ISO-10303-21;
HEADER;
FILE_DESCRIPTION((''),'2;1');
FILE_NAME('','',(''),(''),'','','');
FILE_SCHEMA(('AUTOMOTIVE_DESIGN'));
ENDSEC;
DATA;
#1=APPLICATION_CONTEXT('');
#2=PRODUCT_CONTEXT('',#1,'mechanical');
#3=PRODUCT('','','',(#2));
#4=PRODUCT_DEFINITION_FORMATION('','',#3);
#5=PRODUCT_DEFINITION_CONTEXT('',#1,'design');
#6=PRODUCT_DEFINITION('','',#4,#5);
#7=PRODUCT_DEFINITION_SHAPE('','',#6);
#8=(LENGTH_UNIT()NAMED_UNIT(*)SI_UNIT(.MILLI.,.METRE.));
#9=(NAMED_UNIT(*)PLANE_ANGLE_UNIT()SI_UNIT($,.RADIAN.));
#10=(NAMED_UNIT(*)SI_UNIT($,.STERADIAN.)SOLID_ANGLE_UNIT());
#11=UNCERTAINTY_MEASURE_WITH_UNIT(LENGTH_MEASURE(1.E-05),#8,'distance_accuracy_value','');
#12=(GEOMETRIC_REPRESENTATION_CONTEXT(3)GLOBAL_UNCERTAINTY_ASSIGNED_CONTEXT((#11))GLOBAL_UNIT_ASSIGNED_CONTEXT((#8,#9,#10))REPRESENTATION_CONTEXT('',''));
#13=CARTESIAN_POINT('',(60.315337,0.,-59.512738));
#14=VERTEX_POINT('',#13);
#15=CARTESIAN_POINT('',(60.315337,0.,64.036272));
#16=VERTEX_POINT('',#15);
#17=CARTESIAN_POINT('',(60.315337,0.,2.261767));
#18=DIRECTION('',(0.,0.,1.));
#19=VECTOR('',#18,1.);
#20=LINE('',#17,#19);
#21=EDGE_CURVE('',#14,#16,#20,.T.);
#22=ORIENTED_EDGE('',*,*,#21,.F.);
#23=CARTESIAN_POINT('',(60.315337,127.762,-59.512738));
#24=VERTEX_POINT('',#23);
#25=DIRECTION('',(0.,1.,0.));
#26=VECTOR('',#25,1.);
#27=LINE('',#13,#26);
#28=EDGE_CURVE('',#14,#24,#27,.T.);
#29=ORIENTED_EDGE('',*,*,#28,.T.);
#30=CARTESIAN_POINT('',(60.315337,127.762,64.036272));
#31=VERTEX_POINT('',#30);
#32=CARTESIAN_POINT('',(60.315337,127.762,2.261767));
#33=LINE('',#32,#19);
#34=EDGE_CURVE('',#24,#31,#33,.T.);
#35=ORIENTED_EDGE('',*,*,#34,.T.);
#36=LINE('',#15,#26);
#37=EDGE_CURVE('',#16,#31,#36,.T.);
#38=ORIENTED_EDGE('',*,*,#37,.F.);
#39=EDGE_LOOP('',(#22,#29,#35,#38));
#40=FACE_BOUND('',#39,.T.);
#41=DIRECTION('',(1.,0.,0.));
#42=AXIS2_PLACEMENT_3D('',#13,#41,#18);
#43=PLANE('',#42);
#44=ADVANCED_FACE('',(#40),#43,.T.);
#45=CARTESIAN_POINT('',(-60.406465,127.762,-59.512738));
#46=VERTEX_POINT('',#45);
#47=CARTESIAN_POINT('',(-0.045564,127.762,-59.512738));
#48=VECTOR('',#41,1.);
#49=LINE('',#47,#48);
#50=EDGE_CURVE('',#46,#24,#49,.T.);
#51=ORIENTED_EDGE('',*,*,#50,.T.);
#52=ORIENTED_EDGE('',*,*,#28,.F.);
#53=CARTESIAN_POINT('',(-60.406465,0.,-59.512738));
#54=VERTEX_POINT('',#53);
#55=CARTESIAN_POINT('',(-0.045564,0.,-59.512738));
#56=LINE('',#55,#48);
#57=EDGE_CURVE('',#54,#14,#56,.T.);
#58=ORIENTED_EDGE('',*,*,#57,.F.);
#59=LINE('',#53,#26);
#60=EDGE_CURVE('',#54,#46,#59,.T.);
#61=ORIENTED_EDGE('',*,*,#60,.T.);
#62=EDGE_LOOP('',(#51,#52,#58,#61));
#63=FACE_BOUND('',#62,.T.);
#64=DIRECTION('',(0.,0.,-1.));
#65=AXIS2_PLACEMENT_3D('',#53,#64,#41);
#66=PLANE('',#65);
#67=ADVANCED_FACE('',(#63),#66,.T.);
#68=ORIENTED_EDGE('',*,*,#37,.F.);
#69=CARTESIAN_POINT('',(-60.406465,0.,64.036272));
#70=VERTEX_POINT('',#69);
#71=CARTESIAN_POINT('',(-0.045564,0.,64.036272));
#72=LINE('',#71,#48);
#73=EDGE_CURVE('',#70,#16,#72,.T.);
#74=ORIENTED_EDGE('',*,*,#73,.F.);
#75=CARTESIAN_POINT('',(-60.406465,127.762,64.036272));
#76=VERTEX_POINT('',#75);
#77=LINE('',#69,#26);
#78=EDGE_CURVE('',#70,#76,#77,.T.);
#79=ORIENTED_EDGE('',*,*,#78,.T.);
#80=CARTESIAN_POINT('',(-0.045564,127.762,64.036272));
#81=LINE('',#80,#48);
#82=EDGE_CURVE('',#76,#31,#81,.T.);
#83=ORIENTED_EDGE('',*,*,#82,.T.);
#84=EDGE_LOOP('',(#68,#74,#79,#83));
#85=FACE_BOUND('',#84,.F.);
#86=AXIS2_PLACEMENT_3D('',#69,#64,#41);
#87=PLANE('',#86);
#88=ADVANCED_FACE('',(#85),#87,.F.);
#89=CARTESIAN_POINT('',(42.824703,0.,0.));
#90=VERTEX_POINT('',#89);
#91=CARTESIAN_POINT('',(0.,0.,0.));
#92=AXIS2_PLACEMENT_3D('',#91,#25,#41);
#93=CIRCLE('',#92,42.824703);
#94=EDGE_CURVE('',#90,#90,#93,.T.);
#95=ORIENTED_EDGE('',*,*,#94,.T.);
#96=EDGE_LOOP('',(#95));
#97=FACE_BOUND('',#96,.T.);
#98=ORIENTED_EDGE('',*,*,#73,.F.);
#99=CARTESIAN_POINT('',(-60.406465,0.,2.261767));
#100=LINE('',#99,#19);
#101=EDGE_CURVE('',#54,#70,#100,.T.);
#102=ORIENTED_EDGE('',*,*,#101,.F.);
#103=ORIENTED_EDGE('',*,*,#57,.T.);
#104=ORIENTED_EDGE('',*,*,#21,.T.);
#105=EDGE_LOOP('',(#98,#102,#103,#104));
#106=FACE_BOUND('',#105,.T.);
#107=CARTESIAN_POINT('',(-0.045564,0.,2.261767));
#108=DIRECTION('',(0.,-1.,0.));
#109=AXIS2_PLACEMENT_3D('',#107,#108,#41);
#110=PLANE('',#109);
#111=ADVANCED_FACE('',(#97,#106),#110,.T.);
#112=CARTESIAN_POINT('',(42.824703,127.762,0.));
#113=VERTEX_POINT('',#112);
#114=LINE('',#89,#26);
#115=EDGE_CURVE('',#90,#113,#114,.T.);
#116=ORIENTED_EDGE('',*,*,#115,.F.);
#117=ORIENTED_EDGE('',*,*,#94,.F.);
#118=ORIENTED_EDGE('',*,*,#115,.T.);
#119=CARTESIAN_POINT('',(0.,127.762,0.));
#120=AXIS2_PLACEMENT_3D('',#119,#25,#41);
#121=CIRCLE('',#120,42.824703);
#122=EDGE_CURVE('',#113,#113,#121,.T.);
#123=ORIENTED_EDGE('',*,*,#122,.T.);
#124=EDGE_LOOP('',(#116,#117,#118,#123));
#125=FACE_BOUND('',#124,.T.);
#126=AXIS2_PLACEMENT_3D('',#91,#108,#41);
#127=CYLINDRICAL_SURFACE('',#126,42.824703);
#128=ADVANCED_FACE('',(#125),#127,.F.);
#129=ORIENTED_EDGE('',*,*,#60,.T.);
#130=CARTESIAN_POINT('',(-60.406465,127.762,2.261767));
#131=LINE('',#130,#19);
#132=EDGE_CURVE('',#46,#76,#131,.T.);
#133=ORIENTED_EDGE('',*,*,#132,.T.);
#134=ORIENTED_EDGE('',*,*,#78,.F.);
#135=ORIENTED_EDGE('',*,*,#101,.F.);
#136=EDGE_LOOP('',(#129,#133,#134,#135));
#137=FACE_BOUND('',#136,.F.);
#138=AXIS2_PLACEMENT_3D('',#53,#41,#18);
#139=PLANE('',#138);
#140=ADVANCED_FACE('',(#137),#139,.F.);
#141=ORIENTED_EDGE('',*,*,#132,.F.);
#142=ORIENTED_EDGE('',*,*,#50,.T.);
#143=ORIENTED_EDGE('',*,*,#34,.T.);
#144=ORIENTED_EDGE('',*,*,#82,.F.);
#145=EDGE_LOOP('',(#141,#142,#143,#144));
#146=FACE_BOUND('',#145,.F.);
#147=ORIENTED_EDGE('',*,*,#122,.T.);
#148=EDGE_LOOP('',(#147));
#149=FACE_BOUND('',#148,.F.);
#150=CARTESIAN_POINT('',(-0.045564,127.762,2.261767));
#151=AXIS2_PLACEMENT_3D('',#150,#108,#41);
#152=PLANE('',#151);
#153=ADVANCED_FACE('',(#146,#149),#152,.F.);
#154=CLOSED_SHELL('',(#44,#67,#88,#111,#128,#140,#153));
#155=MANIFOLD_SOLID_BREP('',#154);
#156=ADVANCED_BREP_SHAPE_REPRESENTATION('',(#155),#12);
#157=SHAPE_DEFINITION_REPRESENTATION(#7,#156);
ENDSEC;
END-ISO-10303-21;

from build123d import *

# Parameters (mm, degrees)
F1_W     = 120.721802
F1_H     = 123.54901
F2_DEPTH = 127.762


with BuildPart() as f2:
    # F1 (on Front) → F2 (new body)
    with BuildSketch(Plane.XZ):
        with Locations((-0.045564, 2.261767)):
            Rectangle(F1_W, F1_H)
        with BuildLine():
            ThreePointArc((-42.824703, 0), (0, 42.824703), (42.824703, 0))
            ThreePointArc((42.824703, 0), (0, -42.824703), (-42.824703, 0))
        make_face(mode=Mode.SUBTRACT)
    extrude(amount=-F2_DEPTH)


solid = f2.part
